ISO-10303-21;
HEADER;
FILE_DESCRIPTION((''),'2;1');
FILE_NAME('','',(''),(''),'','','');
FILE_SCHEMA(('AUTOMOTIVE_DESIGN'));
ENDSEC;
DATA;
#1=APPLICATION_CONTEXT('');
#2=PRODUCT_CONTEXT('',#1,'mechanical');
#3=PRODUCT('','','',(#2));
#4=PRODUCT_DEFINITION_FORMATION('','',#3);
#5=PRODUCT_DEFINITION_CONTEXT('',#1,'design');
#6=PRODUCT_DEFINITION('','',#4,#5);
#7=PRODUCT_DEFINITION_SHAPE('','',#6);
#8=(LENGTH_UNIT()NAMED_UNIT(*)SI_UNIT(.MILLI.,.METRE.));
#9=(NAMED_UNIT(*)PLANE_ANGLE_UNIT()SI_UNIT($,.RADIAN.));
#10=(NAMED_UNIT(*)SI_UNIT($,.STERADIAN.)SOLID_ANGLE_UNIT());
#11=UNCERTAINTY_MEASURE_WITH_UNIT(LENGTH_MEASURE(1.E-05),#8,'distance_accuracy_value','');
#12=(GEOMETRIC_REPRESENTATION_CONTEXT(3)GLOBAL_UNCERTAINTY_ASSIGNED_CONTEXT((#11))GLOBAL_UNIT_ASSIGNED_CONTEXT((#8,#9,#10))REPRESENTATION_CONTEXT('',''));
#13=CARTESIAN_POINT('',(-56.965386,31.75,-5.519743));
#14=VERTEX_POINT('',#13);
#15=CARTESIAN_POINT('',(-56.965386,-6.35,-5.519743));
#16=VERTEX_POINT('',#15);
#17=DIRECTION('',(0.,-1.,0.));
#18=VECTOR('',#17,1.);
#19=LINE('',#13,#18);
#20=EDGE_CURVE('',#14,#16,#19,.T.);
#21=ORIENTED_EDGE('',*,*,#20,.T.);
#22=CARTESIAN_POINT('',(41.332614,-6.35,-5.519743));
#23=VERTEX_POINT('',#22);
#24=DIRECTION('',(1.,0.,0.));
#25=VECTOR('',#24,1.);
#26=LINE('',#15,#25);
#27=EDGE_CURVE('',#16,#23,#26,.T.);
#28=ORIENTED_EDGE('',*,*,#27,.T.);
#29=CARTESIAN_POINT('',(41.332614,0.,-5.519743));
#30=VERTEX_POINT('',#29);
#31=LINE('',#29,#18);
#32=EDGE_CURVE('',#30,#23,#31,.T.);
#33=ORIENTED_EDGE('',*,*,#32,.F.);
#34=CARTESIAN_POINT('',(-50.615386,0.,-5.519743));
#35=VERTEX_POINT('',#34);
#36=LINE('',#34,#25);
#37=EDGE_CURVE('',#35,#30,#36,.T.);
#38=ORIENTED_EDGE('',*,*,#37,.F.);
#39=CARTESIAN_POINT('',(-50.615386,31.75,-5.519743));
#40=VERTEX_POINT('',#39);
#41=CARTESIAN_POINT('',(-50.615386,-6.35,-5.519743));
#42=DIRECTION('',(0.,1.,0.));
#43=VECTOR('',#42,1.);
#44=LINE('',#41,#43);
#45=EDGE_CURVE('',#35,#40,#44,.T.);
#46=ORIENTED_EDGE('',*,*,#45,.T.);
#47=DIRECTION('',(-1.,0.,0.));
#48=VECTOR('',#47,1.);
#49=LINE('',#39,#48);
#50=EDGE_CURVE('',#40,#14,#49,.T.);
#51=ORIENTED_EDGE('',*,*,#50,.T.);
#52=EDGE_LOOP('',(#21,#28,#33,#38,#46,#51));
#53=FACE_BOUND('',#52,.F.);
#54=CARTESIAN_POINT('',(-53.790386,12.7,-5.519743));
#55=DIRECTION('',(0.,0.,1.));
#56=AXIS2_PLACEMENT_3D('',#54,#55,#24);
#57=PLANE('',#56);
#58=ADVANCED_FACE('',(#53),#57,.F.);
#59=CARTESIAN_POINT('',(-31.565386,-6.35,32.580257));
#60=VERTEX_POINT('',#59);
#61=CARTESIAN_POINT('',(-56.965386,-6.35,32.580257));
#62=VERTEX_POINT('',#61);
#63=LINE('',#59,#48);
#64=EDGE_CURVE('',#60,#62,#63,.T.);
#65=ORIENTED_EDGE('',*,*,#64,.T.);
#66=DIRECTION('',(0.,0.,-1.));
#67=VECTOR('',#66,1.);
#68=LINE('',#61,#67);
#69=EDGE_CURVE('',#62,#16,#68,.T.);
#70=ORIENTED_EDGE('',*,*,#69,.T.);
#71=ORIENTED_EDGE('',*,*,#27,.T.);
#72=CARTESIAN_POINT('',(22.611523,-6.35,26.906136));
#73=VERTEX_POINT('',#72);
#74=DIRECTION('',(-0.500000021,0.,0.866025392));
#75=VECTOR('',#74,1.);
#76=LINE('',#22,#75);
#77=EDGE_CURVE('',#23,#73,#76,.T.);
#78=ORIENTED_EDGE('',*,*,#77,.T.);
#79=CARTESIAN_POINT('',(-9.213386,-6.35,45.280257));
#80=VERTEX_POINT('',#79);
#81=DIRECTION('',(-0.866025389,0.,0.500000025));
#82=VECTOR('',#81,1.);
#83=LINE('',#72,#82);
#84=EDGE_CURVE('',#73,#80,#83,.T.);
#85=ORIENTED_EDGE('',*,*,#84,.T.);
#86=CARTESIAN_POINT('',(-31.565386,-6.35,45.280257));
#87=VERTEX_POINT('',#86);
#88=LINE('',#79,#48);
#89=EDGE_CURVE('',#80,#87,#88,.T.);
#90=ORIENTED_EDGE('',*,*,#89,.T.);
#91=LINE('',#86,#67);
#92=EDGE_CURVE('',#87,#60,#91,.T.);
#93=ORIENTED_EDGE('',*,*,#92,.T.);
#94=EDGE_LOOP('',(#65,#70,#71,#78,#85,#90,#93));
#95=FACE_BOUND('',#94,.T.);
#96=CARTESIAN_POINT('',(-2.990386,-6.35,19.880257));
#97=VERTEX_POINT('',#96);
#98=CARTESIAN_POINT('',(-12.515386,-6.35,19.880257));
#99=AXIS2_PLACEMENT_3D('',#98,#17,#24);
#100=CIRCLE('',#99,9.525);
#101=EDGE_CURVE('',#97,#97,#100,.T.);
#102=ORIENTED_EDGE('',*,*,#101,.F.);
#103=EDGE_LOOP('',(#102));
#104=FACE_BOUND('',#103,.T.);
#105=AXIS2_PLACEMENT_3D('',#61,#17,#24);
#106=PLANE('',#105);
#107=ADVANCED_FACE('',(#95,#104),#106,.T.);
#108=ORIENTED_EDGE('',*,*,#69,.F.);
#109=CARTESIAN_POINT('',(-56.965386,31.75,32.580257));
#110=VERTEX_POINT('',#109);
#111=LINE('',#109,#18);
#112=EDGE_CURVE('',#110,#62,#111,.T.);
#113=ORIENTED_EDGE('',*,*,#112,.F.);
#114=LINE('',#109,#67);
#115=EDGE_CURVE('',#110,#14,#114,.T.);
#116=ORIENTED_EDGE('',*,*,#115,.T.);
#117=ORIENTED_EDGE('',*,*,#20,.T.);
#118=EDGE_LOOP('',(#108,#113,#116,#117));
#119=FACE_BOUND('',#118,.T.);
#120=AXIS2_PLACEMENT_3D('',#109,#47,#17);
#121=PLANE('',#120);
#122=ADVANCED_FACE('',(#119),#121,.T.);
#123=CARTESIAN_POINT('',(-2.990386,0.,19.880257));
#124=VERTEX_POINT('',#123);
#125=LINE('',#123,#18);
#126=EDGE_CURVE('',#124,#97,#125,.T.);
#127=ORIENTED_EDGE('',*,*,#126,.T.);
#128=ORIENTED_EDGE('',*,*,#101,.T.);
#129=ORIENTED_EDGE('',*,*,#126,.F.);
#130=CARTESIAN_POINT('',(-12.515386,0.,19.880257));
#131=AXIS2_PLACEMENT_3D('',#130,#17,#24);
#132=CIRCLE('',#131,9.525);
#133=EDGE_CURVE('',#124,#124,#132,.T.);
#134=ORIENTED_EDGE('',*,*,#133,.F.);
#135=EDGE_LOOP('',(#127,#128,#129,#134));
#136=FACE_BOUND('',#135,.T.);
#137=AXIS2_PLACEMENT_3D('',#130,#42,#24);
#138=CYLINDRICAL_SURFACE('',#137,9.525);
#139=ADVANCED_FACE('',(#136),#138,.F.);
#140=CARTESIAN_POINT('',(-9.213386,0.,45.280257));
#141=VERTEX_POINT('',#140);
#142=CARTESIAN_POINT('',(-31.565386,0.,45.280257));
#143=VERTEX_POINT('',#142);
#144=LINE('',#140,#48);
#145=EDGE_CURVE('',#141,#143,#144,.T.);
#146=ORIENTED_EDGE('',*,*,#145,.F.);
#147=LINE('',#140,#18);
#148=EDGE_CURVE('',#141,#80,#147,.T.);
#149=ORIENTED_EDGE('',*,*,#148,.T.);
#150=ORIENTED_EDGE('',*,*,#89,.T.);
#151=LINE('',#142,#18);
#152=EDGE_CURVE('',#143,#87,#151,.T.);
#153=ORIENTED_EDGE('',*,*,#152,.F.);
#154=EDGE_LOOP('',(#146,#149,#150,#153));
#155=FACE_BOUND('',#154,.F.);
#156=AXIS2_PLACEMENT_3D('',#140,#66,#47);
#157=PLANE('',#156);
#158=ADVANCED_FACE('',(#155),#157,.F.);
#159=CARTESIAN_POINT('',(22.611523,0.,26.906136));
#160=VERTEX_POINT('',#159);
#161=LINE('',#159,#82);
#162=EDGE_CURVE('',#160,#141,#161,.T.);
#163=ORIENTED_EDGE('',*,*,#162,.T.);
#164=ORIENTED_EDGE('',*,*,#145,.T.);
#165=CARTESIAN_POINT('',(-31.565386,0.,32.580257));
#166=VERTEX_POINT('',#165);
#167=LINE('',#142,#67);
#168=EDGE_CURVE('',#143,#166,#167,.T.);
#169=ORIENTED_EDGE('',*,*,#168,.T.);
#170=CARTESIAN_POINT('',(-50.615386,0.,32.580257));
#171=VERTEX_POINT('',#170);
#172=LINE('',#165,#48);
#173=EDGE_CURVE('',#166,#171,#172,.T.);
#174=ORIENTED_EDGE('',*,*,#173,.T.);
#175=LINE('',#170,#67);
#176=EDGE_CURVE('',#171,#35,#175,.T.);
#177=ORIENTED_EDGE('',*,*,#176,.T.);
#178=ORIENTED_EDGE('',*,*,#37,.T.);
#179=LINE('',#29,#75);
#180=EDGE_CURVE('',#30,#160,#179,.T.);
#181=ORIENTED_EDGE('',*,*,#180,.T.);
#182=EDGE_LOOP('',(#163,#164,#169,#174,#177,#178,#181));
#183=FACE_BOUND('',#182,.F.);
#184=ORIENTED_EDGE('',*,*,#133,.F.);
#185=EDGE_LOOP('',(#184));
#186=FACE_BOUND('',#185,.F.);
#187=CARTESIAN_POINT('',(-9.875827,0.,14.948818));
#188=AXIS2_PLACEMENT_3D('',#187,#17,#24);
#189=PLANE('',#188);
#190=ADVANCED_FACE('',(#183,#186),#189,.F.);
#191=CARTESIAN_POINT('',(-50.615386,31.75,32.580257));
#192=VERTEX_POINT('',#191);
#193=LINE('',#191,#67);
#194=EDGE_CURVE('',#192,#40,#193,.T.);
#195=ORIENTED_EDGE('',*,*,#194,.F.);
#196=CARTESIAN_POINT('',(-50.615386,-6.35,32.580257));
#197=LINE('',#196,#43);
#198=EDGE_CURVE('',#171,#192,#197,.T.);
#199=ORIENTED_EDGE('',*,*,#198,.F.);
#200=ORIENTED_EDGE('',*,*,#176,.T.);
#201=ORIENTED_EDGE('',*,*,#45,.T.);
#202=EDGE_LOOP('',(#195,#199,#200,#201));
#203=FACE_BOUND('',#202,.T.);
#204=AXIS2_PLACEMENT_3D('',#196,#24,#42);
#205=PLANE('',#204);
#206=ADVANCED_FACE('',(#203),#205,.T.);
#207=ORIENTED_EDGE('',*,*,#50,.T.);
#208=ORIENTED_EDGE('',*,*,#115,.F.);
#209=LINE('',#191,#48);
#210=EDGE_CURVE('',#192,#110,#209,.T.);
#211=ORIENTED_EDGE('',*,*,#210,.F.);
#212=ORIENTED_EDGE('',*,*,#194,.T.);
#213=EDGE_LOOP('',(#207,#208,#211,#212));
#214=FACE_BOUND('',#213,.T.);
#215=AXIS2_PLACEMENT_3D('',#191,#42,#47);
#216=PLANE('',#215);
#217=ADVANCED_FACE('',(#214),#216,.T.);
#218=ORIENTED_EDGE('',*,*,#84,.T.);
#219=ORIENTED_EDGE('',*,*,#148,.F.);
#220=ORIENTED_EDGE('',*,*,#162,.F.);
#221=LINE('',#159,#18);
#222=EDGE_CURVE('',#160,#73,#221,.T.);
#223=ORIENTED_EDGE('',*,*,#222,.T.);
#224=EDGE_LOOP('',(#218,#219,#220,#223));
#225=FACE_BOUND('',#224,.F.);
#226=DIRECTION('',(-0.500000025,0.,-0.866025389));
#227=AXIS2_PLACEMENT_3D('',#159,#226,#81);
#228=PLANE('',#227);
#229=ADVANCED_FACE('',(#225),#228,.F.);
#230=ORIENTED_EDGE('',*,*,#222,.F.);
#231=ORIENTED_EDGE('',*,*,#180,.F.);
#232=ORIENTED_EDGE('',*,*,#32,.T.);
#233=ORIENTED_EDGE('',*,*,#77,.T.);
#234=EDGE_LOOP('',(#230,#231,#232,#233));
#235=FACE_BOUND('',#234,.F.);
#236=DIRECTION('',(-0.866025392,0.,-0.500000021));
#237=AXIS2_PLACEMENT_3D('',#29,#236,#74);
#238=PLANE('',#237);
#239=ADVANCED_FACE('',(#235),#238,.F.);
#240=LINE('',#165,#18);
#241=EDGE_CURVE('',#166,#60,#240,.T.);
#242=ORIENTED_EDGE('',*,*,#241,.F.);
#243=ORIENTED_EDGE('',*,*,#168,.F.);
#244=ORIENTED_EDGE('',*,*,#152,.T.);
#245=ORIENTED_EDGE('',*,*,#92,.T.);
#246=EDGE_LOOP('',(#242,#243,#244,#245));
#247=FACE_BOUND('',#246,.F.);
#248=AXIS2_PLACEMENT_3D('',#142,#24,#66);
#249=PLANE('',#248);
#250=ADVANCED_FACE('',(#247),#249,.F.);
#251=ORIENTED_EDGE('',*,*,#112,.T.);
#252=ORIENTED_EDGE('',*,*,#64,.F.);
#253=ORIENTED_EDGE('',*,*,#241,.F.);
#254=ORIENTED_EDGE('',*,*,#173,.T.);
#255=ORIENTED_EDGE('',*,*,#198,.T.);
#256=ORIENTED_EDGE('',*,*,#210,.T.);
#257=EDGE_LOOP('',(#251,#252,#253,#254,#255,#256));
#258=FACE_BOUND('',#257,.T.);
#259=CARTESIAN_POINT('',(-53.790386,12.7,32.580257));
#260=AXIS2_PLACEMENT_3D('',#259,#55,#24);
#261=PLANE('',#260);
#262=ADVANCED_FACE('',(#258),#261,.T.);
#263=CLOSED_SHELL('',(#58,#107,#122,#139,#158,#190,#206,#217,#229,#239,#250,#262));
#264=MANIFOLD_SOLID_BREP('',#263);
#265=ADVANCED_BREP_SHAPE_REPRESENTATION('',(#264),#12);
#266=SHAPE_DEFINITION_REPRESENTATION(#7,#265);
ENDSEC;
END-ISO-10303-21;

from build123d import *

# Parameters (mm, degrees)
F0_R     = 9.525
F1_DEPTH = 6.35
F3_DEPTH = 38.1


with BuildPart() as f1:
    # F0 (on Front) → F1 (new body)
    with BuildSketch(Plane.XZ):
        Polygon((-50.615386, -5.519743), (41.332614, -5.519743), (22.611523, 26.906136), (-9.213386, 45.280257), (-31.565386, 45.280257), (-31.565386, 32.580257), (-50.615386, 32.580257), align=None)
        with Locations((-12.515386, 19.880257)):
            Circle(F0_R, mode=Mode.SUBTRACT)
    extrude(amount=F1_DEPTH)

    # F2 (on face) → F3 (join)
    with BuildSketch(Plane.XY.offset(32.580257)):
        Polygon((-56.965386, -6.35), (-50.615386, -6.35), (-50.615386, 0), (-50.615386, 31.75), (-56.965386, 31.75), align=None)
    extrude(amount=-F3_DEPTH)


solid = f1.part
